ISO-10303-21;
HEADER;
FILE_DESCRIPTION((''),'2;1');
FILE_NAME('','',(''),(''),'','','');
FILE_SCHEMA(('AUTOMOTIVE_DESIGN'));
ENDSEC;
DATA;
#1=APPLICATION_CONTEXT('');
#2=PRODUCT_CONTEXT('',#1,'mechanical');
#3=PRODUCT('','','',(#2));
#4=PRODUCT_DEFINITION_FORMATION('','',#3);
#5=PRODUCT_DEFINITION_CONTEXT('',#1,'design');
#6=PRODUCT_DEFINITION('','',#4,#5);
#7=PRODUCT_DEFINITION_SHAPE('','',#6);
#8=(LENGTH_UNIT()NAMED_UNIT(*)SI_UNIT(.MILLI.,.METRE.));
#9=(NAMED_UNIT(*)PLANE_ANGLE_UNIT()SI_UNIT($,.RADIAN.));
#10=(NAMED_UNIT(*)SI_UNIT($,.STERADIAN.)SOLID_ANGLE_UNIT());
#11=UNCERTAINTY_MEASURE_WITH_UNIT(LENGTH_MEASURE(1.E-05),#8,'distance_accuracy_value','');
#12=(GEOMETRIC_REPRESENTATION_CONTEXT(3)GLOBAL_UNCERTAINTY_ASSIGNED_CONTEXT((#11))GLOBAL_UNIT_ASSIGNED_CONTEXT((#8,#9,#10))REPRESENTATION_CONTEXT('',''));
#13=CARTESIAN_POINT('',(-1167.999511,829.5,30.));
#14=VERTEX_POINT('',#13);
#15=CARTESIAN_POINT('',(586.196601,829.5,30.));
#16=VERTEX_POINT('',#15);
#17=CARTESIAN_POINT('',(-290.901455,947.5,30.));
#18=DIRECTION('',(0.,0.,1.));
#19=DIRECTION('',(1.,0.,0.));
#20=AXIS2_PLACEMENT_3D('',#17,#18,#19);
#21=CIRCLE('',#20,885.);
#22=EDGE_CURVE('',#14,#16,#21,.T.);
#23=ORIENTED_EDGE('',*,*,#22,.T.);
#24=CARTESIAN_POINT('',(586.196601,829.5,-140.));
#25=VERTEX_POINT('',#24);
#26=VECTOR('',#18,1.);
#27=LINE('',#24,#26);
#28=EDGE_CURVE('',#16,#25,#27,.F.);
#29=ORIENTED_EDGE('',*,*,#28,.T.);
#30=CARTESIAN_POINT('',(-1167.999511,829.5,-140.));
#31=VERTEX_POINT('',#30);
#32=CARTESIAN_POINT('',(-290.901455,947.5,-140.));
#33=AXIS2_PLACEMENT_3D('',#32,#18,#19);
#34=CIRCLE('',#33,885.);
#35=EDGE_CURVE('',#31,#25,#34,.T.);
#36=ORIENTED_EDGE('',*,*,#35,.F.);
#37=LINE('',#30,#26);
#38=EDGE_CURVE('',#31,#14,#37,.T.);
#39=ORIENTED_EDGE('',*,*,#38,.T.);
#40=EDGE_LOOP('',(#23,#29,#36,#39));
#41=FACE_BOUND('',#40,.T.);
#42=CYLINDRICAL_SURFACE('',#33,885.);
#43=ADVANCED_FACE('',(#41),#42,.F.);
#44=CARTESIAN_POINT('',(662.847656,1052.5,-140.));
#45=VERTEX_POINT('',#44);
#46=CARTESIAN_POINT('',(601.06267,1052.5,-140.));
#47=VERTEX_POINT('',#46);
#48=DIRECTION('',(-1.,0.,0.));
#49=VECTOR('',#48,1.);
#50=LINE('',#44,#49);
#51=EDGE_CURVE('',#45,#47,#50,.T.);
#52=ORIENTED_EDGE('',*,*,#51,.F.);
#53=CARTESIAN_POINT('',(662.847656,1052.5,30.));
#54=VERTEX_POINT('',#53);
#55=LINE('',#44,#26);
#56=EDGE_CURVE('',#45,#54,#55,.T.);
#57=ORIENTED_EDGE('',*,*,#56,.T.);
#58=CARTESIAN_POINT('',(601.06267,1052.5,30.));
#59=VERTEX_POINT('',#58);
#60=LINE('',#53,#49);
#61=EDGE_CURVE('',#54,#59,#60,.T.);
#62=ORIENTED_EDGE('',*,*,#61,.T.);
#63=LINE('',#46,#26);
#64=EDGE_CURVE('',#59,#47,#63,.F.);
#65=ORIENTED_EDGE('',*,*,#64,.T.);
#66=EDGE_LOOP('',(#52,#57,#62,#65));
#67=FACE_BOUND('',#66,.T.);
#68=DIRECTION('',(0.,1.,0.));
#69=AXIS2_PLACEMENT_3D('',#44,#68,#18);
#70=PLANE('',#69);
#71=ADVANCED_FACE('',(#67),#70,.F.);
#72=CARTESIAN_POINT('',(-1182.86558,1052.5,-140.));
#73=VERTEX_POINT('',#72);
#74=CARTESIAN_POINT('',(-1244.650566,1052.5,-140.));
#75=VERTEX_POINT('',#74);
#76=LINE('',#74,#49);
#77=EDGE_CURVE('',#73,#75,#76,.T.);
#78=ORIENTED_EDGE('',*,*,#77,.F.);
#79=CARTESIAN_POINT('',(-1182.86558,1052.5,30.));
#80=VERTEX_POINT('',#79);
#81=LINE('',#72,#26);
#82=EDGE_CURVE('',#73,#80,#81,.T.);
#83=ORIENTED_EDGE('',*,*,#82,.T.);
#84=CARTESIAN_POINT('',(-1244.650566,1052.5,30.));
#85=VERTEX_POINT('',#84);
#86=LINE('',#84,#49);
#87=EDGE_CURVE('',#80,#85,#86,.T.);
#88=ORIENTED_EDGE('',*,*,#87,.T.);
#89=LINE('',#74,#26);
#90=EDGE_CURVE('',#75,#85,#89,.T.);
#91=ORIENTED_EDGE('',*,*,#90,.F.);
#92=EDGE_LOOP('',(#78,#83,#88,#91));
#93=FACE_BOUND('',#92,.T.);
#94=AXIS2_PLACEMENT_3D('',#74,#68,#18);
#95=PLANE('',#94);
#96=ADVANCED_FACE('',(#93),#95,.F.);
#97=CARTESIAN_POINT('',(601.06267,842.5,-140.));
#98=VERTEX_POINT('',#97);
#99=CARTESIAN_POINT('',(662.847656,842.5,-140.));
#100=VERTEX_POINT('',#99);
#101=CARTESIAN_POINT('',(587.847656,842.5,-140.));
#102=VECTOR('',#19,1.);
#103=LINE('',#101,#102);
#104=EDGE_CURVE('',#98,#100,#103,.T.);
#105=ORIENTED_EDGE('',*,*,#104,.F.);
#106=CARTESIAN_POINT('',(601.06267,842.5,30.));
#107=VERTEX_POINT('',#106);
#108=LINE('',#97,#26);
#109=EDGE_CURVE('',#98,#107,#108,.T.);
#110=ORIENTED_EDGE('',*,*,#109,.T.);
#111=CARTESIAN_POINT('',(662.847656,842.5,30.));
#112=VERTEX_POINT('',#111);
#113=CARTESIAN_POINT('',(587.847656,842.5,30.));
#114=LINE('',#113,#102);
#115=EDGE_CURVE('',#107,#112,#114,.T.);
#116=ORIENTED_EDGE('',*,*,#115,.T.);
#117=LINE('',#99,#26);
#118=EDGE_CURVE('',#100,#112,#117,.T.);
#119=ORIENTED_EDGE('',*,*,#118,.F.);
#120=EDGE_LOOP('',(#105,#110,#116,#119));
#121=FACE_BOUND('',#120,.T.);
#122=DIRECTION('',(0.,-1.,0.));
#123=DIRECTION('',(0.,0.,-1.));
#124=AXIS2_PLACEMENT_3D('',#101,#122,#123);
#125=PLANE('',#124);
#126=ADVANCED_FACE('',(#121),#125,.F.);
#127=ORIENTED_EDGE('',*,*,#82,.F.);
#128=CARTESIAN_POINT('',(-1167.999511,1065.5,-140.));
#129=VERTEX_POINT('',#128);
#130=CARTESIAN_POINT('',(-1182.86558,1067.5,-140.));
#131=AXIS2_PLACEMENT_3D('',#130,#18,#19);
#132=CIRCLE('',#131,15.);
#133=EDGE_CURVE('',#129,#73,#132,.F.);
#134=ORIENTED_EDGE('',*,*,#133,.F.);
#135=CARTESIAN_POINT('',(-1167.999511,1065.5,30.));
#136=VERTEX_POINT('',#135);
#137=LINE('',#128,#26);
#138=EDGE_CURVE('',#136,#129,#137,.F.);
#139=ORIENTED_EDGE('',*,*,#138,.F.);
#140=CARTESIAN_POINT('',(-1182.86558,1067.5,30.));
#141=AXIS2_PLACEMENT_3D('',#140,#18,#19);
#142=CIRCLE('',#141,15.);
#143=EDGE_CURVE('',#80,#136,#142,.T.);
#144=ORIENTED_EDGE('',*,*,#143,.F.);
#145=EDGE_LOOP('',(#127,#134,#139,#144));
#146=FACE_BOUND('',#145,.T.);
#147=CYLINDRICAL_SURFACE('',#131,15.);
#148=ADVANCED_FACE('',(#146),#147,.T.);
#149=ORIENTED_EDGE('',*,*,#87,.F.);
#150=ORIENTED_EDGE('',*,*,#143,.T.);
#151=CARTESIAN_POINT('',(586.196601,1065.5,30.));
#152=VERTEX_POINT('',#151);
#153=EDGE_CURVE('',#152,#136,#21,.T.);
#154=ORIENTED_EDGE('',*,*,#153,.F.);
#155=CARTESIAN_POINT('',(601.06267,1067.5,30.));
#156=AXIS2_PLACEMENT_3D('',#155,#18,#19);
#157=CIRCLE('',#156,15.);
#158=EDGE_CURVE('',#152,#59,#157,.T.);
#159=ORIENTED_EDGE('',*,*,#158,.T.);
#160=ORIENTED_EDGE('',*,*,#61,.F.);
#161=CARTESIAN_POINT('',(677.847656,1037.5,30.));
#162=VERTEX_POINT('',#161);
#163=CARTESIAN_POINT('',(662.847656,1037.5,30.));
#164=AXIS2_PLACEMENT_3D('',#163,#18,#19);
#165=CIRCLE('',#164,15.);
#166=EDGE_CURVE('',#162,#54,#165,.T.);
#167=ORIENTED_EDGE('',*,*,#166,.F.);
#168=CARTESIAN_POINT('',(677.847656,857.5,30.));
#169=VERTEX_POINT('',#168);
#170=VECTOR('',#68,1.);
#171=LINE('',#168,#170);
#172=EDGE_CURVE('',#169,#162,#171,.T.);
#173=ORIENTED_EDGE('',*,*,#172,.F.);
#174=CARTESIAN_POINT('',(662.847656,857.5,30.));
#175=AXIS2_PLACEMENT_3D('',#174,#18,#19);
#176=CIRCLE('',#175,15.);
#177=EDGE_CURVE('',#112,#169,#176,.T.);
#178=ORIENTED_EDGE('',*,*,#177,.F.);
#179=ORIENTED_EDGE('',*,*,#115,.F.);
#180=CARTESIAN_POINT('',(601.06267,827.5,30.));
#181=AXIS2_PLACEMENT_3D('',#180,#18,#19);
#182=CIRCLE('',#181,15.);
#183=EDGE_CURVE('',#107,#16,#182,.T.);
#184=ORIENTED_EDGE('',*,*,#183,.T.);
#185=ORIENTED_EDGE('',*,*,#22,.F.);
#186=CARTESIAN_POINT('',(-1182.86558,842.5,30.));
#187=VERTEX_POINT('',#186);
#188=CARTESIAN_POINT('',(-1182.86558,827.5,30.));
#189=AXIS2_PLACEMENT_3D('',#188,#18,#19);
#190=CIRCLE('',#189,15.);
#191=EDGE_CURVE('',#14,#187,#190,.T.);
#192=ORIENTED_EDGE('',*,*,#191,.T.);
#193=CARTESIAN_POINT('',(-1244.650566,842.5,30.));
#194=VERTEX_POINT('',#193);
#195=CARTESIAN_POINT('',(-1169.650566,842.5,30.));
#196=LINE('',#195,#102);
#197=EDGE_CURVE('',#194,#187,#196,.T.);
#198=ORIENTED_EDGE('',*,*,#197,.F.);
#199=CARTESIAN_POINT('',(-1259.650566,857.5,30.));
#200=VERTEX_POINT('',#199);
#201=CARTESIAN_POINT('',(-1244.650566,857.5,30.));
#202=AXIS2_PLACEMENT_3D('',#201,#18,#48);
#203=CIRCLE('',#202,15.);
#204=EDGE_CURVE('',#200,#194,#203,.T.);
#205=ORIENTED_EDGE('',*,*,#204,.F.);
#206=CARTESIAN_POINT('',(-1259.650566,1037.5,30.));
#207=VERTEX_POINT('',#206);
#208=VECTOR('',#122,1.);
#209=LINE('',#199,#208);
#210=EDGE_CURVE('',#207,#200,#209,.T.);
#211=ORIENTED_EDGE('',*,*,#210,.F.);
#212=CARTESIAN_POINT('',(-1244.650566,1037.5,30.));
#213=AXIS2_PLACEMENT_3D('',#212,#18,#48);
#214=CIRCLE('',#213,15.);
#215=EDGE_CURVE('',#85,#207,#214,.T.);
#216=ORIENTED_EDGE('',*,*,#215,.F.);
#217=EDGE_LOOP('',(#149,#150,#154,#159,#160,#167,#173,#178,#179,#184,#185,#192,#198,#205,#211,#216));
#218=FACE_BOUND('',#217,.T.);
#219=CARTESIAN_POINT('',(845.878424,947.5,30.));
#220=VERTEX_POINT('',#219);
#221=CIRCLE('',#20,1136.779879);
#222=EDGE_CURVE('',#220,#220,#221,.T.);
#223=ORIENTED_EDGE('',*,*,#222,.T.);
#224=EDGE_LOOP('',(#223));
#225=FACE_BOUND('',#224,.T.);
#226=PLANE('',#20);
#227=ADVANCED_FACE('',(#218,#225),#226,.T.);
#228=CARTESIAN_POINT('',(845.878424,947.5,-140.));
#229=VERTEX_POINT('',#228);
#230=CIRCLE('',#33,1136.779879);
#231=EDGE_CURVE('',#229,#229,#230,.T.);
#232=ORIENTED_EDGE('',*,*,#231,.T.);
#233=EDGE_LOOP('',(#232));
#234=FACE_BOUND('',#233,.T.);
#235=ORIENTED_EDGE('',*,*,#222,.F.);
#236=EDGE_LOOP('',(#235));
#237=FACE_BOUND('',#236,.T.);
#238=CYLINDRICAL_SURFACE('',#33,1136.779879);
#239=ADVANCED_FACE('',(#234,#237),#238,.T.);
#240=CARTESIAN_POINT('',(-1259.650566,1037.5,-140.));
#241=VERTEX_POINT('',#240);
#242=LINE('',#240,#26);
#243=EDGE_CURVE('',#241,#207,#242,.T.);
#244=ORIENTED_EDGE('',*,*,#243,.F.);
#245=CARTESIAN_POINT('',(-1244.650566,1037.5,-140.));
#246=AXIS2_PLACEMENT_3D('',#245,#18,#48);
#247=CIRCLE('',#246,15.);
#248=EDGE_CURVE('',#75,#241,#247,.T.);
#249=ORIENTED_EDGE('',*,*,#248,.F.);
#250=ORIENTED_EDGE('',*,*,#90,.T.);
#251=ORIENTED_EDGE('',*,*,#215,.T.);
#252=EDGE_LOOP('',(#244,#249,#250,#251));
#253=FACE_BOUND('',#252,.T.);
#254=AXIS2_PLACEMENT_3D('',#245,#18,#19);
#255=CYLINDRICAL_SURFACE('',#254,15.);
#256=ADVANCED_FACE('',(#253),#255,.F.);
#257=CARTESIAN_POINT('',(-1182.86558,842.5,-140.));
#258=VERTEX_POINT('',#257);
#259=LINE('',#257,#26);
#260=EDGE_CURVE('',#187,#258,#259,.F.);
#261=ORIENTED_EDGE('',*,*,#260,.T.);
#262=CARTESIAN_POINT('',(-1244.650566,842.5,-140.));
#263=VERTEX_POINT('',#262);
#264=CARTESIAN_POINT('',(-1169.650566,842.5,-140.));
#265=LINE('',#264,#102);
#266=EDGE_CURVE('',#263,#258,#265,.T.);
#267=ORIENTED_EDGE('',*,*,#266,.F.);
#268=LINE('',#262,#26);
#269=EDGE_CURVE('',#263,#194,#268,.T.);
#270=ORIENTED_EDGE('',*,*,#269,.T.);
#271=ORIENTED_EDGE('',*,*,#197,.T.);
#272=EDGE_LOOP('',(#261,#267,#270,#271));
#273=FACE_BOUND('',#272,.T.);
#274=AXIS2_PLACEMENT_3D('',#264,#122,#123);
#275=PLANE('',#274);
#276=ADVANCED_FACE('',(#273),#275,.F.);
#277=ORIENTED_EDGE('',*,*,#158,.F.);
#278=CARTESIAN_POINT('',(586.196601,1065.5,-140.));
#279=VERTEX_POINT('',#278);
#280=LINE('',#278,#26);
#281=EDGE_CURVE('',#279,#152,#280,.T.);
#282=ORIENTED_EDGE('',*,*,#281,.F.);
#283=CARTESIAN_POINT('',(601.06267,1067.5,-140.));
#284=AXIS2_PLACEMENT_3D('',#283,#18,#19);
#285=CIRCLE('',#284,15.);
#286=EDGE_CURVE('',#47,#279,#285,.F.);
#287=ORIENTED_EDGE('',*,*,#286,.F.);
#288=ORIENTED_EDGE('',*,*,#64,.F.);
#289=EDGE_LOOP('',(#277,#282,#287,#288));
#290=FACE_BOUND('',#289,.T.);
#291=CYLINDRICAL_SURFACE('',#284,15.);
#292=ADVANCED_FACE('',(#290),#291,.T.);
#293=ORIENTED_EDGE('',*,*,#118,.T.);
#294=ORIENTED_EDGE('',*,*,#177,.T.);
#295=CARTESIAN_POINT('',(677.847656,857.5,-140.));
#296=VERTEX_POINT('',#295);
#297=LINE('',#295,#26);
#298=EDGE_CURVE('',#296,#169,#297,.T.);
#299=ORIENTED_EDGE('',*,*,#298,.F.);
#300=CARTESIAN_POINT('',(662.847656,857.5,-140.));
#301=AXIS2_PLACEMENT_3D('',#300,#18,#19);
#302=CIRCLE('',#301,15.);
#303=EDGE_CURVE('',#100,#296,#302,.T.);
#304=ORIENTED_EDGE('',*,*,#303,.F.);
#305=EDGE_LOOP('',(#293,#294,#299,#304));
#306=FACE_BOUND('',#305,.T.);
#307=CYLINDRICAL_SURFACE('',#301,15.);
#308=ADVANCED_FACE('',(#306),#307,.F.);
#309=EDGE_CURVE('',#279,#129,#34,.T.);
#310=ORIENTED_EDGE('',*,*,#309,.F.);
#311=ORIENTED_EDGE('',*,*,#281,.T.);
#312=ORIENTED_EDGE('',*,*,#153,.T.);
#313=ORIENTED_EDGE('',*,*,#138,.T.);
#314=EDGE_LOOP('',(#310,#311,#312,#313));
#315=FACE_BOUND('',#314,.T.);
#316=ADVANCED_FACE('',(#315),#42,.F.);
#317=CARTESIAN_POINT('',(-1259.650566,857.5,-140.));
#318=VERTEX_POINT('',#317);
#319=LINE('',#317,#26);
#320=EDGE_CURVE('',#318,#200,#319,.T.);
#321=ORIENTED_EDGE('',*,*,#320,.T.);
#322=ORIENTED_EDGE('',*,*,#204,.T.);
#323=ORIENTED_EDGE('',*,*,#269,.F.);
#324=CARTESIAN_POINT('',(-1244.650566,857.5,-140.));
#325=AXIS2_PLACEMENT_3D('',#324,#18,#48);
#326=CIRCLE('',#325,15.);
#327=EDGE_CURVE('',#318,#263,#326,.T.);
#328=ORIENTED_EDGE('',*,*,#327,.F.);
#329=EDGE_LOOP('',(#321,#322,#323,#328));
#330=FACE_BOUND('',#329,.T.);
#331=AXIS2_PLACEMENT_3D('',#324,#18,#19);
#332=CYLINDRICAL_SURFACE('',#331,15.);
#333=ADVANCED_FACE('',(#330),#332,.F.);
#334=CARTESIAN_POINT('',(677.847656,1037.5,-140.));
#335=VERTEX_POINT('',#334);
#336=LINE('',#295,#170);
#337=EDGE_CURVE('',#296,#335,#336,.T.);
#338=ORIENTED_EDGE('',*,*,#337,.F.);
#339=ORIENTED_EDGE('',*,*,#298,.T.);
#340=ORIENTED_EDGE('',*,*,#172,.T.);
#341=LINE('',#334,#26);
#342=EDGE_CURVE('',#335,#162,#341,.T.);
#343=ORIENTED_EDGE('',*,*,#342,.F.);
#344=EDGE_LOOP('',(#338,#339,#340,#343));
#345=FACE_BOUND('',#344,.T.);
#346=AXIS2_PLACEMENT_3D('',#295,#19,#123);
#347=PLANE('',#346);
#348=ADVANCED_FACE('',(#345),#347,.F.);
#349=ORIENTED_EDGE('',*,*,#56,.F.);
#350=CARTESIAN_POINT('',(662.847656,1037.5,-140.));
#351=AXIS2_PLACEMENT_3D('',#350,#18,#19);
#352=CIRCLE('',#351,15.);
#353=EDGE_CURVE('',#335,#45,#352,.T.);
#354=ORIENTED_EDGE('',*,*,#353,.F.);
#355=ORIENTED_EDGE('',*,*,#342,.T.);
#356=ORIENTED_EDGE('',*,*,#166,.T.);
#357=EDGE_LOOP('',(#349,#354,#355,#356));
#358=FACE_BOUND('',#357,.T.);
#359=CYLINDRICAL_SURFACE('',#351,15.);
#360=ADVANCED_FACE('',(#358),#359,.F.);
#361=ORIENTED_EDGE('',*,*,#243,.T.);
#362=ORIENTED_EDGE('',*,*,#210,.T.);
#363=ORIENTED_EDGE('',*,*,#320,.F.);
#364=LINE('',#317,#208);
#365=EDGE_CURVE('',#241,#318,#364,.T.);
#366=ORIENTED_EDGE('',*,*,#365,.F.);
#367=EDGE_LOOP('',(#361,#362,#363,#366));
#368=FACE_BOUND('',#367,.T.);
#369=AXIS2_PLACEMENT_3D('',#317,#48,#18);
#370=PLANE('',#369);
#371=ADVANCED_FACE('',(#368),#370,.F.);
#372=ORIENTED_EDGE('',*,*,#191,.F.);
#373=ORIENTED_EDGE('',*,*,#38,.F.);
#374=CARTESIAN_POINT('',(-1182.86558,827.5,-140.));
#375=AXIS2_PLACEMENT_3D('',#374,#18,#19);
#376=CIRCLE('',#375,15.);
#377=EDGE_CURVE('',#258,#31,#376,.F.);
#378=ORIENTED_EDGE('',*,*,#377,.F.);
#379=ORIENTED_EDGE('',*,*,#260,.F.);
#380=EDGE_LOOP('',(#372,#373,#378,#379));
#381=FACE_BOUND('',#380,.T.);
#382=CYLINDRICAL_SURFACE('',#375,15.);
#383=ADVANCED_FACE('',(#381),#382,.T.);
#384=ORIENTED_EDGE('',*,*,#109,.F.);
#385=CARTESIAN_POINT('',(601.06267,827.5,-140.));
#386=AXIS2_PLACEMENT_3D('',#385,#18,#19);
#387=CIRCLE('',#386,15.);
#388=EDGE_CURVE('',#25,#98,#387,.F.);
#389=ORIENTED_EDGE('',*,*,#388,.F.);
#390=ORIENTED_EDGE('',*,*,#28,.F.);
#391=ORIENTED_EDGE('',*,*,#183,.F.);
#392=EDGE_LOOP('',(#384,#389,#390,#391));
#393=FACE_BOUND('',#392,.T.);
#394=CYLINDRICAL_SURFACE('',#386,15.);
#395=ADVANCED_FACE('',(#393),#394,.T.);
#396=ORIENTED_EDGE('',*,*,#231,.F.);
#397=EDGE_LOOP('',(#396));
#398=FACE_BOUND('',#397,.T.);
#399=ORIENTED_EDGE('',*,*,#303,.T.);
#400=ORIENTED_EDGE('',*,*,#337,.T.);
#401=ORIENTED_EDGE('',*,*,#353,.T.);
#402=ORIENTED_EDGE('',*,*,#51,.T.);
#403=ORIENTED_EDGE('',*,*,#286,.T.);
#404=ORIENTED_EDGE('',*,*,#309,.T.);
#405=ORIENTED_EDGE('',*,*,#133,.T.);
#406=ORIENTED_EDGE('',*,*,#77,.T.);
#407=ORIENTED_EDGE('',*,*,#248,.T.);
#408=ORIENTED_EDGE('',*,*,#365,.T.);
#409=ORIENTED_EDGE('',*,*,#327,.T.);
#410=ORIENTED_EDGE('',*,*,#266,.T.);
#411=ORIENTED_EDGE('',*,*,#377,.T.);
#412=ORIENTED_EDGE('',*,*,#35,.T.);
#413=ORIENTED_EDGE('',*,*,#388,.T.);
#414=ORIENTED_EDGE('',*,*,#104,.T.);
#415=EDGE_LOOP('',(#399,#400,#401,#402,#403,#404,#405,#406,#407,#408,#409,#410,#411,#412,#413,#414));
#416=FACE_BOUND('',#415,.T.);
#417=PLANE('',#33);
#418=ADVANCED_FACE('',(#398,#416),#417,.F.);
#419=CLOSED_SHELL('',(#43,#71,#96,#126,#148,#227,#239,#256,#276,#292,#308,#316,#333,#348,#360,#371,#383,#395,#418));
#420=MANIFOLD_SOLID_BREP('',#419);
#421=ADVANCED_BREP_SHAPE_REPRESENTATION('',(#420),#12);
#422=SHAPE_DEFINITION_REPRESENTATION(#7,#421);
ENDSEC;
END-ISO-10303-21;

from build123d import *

# Parameters (mm, degrees)
IZIM1_R                          = 1136.77987901
Y_KSEKLIK_EKSTR_ZYON1_DEPTH      = 30
Y_KSEKLIK_EKSTR_ZYON1_DEPTH_BACK = 140
RADYUS1_R                        = 15


with BuildPart() as part:
    # Çizim1 → Yükseklik-Ekstrüzyon1 (new body, two sides)
    with BuildSketch(Plane.XY) as y_kseklik_ekstr_zyon1_sk:
        with Locations((-290.901455233, 947.5)):
            Circle(IZIM1_R)
        with BuildLine():
            Line((587.84765572, 842.5), (662.84765572, 842.5))
            ThreePointArc((662.84765572, 842.5), (673.454257437, 846.893398282), (677.84765572, 857.5))
            Line((677.84765572, 857.5), (677.84765572, 1037.5))
            ThreePointArc((677.84765572, 1037.5), (673.454257437, 1048.106601718), (662.84765572, 1052.5))
            Line((662.84765572, 1052.5), (587.84765572, 1052.5))
            ThreePointArc((587.84765572, 1052.5), (-290.901455233, 1832.5), (-1169.650566186, 1052.5))
            Line((-1169.650566186, 1052.5), (-1244.650566186, 1052.5))
            ThreePointArc((-1244.650566186, 1052.5), (-1255.257167903, 1048.106601718), (-1259.650566186, 1037.5))
            Line((-1259.650566186, 1037.5), (-1259.650566186, 857.5))
            ThreePointArc((-1259.650566186, 857.5), (-1255.257167903, 846.893398282), (-1244.650566186, 842.5))
            Line((-1244.650566186, 842.5), (-1169.650566186, 842.5))
            ThreePointArc((-1169.650566186, 842.5), (-290.901455233, 62.5), (587.84765572, 842.5))
        make_face(mode=Mode.SUBTRACT)
    extrude(amount=Y_KSEKLIK_EKSTR_ZYON1_DEPTH)
    extrude(y_kseklik_ekstr_zyon1_sk.sketch, amount=-Y_KSEKLIK_EKSTR_ZYON1_DEPTH_BACK)

    # Radyus1
    radyus1_edges = [part.edges().sort_by_distance(p)[0] for p in [
        (587.84765572, 842.5, -70),
        (-1169.650566186, 842.5, -70),
        (-1169.650566186, 1052.5, -70),
        (587.84765572, 1052.5, -70),
    ]]
    fillet(radyus1_edges, radius=RADYUS1_R)


solid = part.part
